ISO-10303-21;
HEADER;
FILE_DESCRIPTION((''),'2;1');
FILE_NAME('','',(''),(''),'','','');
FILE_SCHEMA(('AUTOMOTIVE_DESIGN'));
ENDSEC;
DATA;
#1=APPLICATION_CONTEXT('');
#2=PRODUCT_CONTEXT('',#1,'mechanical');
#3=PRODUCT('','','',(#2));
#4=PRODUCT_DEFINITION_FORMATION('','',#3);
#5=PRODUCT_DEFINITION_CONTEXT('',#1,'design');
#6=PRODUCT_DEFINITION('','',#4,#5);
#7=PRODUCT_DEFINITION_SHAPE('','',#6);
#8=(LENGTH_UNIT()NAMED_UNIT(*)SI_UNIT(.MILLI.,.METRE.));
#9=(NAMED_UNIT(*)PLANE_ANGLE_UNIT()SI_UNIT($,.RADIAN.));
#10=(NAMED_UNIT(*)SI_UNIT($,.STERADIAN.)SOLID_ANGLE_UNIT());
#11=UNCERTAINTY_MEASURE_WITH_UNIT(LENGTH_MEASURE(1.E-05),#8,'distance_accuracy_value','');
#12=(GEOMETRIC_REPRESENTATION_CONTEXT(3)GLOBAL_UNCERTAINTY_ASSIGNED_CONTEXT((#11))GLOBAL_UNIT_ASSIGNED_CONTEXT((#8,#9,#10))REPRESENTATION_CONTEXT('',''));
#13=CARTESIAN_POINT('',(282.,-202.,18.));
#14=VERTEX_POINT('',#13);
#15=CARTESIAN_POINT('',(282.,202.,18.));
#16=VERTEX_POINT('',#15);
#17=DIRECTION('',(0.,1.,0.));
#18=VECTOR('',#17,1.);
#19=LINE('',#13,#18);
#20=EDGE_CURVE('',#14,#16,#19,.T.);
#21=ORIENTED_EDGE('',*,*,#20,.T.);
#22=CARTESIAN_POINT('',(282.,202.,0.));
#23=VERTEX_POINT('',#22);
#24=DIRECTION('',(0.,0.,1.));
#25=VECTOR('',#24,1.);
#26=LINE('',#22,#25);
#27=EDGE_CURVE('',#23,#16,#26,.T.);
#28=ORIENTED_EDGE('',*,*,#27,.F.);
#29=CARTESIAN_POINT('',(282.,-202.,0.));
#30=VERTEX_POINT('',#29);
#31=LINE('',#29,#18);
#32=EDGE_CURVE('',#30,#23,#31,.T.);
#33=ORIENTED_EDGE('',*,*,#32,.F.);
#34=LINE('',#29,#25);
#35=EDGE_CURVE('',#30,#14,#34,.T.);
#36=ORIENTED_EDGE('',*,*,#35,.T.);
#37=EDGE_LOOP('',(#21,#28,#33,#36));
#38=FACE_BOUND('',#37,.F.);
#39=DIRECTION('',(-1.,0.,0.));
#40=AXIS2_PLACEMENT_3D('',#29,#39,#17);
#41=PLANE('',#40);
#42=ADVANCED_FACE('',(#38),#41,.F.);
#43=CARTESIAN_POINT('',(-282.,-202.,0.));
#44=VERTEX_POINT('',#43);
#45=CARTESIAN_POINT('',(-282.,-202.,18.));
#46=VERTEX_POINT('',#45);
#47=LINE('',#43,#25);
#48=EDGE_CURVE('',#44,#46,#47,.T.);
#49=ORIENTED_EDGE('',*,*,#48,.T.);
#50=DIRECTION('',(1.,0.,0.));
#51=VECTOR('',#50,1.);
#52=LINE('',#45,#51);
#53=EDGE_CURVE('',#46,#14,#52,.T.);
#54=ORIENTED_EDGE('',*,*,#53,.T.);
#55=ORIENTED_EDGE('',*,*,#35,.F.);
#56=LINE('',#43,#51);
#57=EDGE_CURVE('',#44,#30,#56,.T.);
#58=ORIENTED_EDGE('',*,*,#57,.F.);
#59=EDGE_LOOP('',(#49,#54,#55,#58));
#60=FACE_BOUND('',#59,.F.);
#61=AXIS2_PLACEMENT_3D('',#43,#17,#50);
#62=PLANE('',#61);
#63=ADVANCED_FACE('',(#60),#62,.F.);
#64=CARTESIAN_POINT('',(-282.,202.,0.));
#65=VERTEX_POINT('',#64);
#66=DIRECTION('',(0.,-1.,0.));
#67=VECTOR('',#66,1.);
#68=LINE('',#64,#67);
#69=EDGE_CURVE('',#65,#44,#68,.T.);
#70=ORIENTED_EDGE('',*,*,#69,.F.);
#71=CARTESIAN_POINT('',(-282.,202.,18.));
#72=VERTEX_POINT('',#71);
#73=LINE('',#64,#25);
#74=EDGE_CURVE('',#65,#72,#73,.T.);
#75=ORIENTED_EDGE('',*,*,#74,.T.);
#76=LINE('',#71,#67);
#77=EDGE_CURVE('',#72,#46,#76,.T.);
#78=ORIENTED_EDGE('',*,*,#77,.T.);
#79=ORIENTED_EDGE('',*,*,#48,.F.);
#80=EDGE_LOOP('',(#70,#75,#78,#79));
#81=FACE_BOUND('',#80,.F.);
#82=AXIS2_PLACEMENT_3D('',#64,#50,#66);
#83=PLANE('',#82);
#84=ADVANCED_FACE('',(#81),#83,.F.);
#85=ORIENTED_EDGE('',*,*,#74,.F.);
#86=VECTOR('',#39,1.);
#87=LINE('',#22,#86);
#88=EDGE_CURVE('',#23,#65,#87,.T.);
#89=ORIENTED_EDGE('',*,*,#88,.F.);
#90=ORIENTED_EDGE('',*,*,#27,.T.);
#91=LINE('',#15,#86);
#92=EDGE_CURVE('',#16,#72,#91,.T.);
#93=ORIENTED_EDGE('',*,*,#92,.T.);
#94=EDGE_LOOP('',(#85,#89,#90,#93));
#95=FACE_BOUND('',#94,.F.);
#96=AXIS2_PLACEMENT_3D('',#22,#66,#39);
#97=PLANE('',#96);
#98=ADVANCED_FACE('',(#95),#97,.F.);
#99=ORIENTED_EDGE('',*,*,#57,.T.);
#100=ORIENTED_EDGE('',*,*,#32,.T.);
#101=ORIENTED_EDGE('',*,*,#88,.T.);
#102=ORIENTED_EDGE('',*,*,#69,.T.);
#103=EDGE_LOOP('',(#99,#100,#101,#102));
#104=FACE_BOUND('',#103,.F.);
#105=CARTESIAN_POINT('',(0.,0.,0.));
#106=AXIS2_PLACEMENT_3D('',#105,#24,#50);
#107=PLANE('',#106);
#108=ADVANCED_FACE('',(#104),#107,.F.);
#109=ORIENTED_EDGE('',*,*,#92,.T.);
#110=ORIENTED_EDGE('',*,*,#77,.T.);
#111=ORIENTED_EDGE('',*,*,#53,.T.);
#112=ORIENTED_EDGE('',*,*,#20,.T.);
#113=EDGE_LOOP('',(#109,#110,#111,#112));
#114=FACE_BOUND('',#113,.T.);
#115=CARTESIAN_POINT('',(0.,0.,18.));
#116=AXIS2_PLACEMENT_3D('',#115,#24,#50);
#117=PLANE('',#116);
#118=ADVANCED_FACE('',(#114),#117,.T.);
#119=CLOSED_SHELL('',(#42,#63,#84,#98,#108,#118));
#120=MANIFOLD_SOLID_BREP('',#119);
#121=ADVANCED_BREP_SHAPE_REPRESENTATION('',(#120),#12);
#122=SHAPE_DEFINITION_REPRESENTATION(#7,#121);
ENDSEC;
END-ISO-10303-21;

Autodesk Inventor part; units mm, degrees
ref_plane "YZ Plane" through (0, 0, 0) normal (1, 0, 0) x (0, 1, 0)
ref_plane "XZ Plane" through (0, 0, 0) normal (0, 1, 0) x (-1, 0, 0)
ref_plane "XY Plane" through (0, 0, 0) normal (0, 0, 1) x (1, 0, 0)
sketch "Sketch1" plane through (0, 0, 0) normal (0, 0, 1) x (1, 0, 0)
  line L0 (-282, -202) -> (282, -202)
  line L1 (282, -202) -> (282, 202)
  line L2 (282, 202) -> (-282, 202)
  line L3 (-282, 202) -> (-282, -202)
  line L4 (-282, -202) -> (282, 202) construction
  line L5 (282, -202) -> (-282, 202) construction
  point P0 (0, 0)
  dimension "d0" = 564
  dimension "d1" = 404
extrude "Extrusion1" add sketch "Sketch1" along normal blind 18
properties part number "polka2"
